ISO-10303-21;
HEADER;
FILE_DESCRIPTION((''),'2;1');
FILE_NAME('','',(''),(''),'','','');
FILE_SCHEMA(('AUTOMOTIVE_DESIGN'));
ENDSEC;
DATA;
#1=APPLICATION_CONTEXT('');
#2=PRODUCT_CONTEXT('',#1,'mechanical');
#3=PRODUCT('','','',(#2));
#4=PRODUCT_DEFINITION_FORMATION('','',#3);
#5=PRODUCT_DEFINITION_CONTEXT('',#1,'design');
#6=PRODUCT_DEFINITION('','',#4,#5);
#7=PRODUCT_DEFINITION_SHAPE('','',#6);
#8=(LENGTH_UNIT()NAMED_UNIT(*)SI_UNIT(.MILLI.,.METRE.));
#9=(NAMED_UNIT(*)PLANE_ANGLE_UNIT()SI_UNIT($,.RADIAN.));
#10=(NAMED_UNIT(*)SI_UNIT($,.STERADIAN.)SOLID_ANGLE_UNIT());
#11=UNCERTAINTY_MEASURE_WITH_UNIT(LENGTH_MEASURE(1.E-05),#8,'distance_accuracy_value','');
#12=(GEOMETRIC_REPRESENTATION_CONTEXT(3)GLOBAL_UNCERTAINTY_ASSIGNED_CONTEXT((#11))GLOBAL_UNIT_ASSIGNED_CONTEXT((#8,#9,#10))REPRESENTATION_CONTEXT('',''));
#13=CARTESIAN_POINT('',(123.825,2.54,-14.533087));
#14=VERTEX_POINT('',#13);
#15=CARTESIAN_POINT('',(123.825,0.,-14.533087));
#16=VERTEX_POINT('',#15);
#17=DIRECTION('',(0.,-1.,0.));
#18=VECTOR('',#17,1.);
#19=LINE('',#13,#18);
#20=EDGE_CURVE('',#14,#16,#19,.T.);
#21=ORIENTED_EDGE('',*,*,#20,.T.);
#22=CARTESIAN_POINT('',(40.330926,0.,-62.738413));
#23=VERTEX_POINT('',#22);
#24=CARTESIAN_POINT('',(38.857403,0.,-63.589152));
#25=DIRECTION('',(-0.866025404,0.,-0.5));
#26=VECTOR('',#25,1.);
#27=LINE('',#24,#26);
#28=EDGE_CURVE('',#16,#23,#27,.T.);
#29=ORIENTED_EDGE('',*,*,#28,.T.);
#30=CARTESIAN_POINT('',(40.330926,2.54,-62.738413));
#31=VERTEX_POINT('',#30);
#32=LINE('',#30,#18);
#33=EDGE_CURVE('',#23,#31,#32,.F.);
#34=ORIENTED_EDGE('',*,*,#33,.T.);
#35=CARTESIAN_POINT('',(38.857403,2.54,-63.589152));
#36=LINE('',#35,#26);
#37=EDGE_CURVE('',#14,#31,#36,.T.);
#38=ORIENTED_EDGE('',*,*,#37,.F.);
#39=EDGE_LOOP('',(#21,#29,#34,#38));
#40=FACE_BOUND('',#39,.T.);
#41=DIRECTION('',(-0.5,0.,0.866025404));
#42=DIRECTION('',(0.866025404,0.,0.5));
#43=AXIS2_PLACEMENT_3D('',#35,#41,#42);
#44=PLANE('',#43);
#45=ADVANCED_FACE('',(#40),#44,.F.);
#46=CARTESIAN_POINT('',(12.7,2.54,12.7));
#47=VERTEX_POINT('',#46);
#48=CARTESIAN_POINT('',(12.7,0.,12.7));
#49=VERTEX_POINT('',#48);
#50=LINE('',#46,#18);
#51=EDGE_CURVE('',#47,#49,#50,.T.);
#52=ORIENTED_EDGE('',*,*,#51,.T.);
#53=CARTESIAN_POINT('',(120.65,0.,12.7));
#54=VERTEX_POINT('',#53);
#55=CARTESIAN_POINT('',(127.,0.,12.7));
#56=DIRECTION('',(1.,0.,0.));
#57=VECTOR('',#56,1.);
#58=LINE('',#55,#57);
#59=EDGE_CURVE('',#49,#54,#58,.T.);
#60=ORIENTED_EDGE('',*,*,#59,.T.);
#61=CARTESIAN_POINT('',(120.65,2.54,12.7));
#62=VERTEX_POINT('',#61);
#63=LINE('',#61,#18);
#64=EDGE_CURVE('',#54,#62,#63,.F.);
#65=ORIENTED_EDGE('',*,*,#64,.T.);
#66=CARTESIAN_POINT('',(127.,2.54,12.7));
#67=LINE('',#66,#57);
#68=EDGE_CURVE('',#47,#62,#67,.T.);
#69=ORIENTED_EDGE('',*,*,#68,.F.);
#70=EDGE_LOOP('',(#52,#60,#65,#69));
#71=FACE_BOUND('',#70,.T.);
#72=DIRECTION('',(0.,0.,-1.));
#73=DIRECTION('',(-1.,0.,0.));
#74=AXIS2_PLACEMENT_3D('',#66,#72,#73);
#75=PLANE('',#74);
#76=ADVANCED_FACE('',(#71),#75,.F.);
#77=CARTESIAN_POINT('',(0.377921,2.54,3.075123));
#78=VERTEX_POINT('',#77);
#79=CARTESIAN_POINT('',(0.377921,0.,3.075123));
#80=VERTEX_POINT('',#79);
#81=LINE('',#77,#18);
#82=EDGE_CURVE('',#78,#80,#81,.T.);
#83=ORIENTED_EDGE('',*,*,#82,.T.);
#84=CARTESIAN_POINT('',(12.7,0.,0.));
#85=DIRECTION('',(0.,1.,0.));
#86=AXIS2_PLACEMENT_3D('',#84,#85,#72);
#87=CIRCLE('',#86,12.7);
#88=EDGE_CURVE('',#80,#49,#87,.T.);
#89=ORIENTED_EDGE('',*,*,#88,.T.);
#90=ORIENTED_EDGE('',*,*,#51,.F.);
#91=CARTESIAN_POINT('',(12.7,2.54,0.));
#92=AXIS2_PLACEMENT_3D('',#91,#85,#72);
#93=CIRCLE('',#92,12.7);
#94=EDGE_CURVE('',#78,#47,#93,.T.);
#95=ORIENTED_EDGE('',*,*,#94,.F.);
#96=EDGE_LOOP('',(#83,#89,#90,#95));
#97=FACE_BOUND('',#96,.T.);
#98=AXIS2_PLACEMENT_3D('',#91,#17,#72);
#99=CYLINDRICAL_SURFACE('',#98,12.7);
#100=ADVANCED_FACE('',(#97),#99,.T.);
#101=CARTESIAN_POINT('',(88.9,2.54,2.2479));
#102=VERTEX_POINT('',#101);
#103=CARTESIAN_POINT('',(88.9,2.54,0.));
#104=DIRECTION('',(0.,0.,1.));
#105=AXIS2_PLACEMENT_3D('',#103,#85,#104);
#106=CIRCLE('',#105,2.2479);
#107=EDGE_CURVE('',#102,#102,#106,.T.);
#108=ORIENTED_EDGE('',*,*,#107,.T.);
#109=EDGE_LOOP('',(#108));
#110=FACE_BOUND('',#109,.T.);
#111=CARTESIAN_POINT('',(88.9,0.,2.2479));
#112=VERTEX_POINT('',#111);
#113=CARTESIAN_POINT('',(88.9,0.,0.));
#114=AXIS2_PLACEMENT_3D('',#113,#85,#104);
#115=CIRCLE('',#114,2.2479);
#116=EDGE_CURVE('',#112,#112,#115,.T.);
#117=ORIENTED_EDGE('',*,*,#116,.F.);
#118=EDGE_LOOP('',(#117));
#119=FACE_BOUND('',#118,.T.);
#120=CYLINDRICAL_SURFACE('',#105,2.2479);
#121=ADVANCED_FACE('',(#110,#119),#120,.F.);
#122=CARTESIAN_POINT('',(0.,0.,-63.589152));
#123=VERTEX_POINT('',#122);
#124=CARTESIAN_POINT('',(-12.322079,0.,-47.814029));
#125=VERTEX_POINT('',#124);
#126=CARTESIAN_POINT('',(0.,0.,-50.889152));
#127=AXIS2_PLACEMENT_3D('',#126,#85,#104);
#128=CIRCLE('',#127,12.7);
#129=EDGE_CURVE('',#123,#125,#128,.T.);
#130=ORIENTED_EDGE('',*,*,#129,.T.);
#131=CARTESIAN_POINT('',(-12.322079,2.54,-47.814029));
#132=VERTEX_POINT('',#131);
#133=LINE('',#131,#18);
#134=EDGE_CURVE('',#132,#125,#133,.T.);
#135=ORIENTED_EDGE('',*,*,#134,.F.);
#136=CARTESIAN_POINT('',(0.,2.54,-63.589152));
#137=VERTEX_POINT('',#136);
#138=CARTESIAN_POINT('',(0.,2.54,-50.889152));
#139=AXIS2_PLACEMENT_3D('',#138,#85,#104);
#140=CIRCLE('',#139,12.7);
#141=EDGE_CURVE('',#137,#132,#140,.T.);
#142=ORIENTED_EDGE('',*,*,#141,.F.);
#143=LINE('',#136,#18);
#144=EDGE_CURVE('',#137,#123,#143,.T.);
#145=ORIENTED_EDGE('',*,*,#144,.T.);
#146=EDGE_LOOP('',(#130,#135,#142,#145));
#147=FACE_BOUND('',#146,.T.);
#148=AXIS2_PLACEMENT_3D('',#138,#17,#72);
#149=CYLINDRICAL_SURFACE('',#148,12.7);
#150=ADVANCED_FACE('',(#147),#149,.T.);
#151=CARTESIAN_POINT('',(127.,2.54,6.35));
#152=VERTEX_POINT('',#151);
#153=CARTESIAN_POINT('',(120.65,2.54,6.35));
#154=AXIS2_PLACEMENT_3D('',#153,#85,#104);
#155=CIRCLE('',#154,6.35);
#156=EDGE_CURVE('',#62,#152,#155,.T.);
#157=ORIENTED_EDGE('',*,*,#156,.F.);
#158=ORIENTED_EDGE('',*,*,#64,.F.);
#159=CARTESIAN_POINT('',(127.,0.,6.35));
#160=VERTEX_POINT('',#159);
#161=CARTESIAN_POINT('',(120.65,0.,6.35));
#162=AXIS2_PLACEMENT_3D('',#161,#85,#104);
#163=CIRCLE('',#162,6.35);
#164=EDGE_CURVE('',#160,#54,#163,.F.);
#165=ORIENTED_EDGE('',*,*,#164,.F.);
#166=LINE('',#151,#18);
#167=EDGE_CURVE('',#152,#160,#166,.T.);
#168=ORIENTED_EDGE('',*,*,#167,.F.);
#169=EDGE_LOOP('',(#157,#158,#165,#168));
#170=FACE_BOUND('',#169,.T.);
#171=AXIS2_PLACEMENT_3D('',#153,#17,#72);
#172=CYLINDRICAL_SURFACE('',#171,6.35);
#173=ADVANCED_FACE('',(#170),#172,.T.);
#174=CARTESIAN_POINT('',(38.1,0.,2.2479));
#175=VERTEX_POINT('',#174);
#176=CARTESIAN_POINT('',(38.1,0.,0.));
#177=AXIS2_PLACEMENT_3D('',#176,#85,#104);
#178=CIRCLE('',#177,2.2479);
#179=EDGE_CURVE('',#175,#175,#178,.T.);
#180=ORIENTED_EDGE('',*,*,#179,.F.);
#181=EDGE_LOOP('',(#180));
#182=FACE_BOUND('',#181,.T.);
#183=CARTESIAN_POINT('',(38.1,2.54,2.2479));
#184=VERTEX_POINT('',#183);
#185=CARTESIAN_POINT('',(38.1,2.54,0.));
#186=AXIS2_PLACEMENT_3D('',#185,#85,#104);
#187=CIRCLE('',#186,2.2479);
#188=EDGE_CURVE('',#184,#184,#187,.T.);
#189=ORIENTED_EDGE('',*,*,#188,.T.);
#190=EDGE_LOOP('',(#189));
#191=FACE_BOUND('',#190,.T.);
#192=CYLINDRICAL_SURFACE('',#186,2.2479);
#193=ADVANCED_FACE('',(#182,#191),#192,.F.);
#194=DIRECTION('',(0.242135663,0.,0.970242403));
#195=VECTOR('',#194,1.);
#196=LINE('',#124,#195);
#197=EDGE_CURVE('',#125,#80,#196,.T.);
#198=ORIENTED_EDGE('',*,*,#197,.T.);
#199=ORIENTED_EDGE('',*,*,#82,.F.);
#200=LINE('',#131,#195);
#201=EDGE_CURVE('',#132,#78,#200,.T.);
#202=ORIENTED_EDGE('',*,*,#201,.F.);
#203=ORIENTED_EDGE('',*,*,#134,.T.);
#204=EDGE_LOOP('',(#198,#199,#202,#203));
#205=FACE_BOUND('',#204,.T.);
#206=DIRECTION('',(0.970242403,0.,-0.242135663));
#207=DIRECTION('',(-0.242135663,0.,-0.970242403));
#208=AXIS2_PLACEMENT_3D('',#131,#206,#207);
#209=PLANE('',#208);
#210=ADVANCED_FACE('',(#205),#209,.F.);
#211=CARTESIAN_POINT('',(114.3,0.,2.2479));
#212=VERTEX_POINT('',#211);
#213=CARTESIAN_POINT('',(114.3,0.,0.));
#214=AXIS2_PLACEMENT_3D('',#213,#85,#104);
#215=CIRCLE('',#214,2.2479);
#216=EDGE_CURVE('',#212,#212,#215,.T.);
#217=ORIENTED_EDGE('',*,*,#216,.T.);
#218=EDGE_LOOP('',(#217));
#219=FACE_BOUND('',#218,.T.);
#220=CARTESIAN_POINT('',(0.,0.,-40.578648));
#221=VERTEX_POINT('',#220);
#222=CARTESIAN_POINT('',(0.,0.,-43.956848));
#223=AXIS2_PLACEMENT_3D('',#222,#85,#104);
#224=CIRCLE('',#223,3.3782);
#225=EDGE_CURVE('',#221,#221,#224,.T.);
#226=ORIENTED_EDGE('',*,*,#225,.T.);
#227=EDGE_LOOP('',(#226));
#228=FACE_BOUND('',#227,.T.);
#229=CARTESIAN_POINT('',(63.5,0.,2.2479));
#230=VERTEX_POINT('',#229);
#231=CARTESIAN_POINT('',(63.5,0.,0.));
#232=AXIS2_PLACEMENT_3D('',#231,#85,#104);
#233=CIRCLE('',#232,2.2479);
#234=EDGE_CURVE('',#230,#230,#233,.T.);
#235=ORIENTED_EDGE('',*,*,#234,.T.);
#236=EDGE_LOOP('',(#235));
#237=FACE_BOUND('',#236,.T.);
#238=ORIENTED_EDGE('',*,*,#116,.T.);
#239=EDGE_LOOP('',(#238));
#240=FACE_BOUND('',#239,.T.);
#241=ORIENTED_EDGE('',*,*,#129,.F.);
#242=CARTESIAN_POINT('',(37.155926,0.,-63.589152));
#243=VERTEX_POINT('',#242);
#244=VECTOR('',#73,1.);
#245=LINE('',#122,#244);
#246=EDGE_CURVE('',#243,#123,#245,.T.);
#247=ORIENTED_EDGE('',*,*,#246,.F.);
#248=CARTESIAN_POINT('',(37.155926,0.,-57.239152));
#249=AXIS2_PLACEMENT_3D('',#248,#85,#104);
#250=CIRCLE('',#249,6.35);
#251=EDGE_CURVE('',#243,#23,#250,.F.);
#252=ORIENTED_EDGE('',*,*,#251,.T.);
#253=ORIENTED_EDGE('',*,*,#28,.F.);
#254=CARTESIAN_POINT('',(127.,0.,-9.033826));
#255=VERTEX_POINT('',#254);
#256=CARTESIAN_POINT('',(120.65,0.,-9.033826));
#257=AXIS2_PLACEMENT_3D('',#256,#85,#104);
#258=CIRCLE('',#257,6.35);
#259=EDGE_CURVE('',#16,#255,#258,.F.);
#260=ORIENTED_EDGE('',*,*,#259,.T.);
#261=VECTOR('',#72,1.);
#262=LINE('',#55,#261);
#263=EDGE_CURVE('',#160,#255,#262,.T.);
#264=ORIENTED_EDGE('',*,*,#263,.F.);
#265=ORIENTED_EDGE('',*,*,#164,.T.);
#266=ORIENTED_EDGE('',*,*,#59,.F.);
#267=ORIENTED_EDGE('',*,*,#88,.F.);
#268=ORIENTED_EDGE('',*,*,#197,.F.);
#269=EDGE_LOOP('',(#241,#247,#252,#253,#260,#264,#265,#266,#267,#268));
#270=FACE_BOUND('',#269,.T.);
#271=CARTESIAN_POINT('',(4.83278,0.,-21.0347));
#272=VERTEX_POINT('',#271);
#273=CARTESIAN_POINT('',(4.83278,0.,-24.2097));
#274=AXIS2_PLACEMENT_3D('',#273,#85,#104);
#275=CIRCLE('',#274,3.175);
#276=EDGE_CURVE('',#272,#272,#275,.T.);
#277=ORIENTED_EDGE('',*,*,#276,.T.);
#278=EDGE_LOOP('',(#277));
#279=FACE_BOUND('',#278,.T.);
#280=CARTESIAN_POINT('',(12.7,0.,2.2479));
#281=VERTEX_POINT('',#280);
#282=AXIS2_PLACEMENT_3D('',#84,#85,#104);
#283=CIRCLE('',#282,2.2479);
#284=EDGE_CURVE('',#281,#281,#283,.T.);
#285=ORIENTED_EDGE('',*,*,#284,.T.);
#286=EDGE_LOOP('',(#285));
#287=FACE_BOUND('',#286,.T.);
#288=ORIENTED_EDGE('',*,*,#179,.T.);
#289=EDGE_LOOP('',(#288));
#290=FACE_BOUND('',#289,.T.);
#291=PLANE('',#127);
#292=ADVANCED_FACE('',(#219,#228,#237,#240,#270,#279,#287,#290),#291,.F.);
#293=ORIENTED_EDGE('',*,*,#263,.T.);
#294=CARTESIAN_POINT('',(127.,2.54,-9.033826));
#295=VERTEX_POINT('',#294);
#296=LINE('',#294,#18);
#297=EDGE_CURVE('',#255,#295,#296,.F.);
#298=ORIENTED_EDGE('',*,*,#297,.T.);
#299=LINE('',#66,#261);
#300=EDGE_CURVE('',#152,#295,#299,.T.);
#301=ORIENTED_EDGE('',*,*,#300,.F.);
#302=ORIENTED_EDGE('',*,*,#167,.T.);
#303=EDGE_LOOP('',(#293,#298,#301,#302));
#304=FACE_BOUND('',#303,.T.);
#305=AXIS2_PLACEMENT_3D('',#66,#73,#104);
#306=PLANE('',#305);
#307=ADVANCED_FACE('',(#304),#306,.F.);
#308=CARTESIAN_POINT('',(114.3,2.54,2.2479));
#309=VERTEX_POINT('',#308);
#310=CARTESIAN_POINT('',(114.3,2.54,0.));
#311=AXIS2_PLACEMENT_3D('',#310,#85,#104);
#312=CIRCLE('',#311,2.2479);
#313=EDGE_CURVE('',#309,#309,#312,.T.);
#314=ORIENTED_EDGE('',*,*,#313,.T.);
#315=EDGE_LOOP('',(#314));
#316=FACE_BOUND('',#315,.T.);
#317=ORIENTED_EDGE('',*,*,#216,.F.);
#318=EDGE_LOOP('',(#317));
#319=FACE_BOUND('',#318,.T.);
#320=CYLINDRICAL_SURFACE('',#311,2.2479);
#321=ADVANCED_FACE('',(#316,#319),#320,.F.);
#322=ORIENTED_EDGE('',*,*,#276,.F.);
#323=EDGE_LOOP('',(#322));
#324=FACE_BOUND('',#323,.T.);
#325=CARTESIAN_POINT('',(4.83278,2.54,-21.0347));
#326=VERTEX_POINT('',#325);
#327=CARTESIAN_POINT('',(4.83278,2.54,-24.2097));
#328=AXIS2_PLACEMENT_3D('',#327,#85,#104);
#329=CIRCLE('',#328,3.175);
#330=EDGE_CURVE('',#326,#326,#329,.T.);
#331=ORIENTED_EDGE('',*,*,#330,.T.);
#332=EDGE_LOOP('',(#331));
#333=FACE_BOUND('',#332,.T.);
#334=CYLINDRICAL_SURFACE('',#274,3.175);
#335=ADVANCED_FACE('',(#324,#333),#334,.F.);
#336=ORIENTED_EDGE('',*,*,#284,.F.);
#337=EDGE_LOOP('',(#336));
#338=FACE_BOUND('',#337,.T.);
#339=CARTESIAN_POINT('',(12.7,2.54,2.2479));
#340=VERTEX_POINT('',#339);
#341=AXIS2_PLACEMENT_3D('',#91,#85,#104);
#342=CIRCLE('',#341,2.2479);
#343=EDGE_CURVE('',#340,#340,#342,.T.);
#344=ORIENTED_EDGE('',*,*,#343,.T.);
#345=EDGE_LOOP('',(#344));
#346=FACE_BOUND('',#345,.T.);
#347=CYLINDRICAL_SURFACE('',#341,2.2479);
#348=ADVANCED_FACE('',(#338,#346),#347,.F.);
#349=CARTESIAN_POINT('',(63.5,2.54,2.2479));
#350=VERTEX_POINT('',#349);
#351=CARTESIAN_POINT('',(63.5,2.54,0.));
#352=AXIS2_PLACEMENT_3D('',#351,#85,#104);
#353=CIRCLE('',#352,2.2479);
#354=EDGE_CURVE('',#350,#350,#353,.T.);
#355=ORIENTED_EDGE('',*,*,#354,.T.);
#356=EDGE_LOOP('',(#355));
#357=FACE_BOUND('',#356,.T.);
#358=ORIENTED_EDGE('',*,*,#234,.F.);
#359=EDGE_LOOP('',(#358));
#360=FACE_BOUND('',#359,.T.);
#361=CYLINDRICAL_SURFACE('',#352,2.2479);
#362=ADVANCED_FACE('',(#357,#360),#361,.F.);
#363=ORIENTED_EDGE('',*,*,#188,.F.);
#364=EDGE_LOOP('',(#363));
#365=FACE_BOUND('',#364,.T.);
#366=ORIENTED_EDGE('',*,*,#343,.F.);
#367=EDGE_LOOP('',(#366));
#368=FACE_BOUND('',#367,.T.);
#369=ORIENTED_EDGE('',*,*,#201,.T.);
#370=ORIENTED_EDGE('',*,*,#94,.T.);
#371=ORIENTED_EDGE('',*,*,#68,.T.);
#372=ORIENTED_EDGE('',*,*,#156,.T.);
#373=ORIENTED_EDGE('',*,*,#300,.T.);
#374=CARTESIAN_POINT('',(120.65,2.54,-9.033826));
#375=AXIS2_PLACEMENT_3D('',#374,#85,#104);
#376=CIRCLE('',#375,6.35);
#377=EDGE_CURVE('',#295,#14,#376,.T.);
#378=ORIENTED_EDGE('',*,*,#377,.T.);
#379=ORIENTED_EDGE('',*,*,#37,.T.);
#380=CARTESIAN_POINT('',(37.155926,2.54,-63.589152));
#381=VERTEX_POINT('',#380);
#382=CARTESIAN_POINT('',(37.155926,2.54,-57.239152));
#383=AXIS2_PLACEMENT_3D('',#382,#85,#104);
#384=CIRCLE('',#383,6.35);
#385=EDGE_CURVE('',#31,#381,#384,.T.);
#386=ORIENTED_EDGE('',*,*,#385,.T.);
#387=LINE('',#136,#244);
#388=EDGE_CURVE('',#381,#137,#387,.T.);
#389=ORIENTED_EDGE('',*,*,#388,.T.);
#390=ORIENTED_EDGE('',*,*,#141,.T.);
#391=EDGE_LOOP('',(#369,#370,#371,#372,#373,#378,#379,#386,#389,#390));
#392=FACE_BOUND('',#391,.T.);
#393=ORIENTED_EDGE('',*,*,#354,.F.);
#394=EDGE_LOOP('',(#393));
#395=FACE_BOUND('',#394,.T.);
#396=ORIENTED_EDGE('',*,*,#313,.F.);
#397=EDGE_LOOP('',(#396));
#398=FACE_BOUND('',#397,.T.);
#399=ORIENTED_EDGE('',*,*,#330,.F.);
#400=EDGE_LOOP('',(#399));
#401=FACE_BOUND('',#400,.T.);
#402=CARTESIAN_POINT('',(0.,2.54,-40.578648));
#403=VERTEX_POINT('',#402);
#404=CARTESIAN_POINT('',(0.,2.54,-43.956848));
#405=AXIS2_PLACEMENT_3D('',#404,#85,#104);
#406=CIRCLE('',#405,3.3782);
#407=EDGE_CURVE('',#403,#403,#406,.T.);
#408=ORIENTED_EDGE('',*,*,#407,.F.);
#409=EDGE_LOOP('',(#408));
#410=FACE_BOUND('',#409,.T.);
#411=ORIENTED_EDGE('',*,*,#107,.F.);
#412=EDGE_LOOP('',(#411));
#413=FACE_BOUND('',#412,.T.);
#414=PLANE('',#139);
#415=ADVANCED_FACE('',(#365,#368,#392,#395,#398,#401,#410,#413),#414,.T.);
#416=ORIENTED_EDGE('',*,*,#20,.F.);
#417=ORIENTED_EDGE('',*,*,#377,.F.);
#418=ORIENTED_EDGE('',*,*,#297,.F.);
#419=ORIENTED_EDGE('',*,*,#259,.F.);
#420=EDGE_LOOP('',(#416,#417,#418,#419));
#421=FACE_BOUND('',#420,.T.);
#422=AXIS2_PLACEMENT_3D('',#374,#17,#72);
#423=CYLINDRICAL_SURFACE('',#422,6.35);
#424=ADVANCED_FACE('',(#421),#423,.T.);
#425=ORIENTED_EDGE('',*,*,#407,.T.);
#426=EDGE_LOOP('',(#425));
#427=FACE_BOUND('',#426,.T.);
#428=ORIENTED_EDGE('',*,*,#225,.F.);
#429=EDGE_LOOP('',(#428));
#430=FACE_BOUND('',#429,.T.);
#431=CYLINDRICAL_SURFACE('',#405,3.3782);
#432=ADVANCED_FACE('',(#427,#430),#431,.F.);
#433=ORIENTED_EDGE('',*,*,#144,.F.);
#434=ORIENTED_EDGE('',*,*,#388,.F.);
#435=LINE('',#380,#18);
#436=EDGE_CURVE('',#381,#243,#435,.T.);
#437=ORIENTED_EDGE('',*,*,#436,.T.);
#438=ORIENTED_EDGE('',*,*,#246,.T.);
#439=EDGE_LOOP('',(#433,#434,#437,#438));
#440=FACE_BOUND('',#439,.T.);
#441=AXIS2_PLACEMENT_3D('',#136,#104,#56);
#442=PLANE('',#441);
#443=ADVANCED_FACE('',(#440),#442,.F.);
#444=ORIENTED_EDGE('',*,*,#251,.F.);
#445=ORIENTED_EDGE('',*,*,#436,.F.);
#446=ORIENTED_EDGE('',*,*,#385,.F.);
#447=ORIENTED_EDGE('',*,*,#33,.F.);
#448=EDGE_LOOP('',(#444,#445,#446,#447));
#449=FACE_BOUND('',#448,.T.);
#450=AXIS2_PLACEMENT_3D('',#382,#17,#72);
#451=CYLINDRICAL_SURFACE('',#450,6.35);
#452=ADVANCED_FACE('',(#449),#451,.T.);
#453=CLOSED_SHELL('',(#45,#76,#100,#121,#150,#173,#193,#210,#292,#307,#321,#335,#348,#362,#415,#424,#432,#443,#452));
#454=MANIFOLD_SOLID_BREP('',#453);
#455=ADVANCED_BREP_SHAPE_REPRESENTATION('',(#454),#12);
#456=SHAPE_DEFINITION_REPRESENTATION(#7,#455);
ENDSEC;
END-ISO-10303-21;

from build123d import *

# Parameters (mm, degrees)
BOSS_EXTRUDE1_DEPTH     = 2.54
F_1_4_CLEARANCE_HOLE1_D = 6.7564
F_8_CLEARANCE_HOLE3_D   = 4.4958
FILLET1_R               = 6.35
SKETCH14_R              = 3.175
CUT_EXTRUDE1_DEPTH      = 2.54


with BuildPart() as part:
    # Sketch1 → Boss-Extrude1 (new body)
    with BuildSketch(Plane(origin=(0, 0, 0), x_dir=(1, 0, 0), z_dir=(0, 1, 0))):
        with BuildLine():
            Line((127, -12.7), (12.7, -12.7))
            ThreePointArc((12.7, -12.7), (4.882201751, -10.008597831), (0.377921481, -3.07512292))
            Line((0.377921481, -3.07512292), (-12.322078519, 47.81402892))
            ThreePointArc((-12.322078519, 47.81402892), (-10.008597831, 58.706950088), (0, 63.58915184))
            Line((0, 63.58915184), (38.85740346, 63.58915184))
            Line((38.85740346, 63.58915184), (127, 12.7))
            Line((127, 12.7), (127, -12.7))
        make_face()
    extrude(amount=BOSS_EXTRUDE1_DEPTH)

    # 1/4 Clearance Hole1 (through all)
    with Locations(Plane(origin=(0, 2.54, 0), x_dir=(1, 0, 0), z_dir=(0, 1, 0))):
        with Locations((0, 43.956848345)):
            Hole(F_1_4_CLEARANCE_HOLE1_D / 2)

    # #8 Clearance Hole3 (through all)
    with Locations(Plane(origin=(0, 2.54, 0), x_dir=(1, 0, 0), z_dir=(0, 1, 0))):
        with Locations((12.7, 0), (38.1, 0), (63.5, 0), (88.9, 0), (114.3, 0)):
            Hole(F_8_CLEARANCE_HOLE3_D / 2)

    # Fillet1
    fillet1_edges = [part.edges().sort_by_distance(p)[0] for p in [
        (127, 1.27, 12.7),
        (38.85740346, 1.27, -63.58915184),
        (127, 1.27, -12.7),
    ]]
    fillet(fillet1_edges, radius=FILLET1_R)

    # Sketch14 → Cut-Extrude1 (cut)
    with BuildSketch(Plane(origin=(0, 2.54, 0), x_dir=(1, 0, 0), z_dir=(0, 1, 0))):
        with Locations(Location((4.83277957, 24.209700029, 0), (0, 0, 270))):
            Circle(SKETCH14_R)
    extrude(amount=-CUT_EXTRUDE1_DEPTH, mode=Mode.SUBTRACT)


solid = part.part
